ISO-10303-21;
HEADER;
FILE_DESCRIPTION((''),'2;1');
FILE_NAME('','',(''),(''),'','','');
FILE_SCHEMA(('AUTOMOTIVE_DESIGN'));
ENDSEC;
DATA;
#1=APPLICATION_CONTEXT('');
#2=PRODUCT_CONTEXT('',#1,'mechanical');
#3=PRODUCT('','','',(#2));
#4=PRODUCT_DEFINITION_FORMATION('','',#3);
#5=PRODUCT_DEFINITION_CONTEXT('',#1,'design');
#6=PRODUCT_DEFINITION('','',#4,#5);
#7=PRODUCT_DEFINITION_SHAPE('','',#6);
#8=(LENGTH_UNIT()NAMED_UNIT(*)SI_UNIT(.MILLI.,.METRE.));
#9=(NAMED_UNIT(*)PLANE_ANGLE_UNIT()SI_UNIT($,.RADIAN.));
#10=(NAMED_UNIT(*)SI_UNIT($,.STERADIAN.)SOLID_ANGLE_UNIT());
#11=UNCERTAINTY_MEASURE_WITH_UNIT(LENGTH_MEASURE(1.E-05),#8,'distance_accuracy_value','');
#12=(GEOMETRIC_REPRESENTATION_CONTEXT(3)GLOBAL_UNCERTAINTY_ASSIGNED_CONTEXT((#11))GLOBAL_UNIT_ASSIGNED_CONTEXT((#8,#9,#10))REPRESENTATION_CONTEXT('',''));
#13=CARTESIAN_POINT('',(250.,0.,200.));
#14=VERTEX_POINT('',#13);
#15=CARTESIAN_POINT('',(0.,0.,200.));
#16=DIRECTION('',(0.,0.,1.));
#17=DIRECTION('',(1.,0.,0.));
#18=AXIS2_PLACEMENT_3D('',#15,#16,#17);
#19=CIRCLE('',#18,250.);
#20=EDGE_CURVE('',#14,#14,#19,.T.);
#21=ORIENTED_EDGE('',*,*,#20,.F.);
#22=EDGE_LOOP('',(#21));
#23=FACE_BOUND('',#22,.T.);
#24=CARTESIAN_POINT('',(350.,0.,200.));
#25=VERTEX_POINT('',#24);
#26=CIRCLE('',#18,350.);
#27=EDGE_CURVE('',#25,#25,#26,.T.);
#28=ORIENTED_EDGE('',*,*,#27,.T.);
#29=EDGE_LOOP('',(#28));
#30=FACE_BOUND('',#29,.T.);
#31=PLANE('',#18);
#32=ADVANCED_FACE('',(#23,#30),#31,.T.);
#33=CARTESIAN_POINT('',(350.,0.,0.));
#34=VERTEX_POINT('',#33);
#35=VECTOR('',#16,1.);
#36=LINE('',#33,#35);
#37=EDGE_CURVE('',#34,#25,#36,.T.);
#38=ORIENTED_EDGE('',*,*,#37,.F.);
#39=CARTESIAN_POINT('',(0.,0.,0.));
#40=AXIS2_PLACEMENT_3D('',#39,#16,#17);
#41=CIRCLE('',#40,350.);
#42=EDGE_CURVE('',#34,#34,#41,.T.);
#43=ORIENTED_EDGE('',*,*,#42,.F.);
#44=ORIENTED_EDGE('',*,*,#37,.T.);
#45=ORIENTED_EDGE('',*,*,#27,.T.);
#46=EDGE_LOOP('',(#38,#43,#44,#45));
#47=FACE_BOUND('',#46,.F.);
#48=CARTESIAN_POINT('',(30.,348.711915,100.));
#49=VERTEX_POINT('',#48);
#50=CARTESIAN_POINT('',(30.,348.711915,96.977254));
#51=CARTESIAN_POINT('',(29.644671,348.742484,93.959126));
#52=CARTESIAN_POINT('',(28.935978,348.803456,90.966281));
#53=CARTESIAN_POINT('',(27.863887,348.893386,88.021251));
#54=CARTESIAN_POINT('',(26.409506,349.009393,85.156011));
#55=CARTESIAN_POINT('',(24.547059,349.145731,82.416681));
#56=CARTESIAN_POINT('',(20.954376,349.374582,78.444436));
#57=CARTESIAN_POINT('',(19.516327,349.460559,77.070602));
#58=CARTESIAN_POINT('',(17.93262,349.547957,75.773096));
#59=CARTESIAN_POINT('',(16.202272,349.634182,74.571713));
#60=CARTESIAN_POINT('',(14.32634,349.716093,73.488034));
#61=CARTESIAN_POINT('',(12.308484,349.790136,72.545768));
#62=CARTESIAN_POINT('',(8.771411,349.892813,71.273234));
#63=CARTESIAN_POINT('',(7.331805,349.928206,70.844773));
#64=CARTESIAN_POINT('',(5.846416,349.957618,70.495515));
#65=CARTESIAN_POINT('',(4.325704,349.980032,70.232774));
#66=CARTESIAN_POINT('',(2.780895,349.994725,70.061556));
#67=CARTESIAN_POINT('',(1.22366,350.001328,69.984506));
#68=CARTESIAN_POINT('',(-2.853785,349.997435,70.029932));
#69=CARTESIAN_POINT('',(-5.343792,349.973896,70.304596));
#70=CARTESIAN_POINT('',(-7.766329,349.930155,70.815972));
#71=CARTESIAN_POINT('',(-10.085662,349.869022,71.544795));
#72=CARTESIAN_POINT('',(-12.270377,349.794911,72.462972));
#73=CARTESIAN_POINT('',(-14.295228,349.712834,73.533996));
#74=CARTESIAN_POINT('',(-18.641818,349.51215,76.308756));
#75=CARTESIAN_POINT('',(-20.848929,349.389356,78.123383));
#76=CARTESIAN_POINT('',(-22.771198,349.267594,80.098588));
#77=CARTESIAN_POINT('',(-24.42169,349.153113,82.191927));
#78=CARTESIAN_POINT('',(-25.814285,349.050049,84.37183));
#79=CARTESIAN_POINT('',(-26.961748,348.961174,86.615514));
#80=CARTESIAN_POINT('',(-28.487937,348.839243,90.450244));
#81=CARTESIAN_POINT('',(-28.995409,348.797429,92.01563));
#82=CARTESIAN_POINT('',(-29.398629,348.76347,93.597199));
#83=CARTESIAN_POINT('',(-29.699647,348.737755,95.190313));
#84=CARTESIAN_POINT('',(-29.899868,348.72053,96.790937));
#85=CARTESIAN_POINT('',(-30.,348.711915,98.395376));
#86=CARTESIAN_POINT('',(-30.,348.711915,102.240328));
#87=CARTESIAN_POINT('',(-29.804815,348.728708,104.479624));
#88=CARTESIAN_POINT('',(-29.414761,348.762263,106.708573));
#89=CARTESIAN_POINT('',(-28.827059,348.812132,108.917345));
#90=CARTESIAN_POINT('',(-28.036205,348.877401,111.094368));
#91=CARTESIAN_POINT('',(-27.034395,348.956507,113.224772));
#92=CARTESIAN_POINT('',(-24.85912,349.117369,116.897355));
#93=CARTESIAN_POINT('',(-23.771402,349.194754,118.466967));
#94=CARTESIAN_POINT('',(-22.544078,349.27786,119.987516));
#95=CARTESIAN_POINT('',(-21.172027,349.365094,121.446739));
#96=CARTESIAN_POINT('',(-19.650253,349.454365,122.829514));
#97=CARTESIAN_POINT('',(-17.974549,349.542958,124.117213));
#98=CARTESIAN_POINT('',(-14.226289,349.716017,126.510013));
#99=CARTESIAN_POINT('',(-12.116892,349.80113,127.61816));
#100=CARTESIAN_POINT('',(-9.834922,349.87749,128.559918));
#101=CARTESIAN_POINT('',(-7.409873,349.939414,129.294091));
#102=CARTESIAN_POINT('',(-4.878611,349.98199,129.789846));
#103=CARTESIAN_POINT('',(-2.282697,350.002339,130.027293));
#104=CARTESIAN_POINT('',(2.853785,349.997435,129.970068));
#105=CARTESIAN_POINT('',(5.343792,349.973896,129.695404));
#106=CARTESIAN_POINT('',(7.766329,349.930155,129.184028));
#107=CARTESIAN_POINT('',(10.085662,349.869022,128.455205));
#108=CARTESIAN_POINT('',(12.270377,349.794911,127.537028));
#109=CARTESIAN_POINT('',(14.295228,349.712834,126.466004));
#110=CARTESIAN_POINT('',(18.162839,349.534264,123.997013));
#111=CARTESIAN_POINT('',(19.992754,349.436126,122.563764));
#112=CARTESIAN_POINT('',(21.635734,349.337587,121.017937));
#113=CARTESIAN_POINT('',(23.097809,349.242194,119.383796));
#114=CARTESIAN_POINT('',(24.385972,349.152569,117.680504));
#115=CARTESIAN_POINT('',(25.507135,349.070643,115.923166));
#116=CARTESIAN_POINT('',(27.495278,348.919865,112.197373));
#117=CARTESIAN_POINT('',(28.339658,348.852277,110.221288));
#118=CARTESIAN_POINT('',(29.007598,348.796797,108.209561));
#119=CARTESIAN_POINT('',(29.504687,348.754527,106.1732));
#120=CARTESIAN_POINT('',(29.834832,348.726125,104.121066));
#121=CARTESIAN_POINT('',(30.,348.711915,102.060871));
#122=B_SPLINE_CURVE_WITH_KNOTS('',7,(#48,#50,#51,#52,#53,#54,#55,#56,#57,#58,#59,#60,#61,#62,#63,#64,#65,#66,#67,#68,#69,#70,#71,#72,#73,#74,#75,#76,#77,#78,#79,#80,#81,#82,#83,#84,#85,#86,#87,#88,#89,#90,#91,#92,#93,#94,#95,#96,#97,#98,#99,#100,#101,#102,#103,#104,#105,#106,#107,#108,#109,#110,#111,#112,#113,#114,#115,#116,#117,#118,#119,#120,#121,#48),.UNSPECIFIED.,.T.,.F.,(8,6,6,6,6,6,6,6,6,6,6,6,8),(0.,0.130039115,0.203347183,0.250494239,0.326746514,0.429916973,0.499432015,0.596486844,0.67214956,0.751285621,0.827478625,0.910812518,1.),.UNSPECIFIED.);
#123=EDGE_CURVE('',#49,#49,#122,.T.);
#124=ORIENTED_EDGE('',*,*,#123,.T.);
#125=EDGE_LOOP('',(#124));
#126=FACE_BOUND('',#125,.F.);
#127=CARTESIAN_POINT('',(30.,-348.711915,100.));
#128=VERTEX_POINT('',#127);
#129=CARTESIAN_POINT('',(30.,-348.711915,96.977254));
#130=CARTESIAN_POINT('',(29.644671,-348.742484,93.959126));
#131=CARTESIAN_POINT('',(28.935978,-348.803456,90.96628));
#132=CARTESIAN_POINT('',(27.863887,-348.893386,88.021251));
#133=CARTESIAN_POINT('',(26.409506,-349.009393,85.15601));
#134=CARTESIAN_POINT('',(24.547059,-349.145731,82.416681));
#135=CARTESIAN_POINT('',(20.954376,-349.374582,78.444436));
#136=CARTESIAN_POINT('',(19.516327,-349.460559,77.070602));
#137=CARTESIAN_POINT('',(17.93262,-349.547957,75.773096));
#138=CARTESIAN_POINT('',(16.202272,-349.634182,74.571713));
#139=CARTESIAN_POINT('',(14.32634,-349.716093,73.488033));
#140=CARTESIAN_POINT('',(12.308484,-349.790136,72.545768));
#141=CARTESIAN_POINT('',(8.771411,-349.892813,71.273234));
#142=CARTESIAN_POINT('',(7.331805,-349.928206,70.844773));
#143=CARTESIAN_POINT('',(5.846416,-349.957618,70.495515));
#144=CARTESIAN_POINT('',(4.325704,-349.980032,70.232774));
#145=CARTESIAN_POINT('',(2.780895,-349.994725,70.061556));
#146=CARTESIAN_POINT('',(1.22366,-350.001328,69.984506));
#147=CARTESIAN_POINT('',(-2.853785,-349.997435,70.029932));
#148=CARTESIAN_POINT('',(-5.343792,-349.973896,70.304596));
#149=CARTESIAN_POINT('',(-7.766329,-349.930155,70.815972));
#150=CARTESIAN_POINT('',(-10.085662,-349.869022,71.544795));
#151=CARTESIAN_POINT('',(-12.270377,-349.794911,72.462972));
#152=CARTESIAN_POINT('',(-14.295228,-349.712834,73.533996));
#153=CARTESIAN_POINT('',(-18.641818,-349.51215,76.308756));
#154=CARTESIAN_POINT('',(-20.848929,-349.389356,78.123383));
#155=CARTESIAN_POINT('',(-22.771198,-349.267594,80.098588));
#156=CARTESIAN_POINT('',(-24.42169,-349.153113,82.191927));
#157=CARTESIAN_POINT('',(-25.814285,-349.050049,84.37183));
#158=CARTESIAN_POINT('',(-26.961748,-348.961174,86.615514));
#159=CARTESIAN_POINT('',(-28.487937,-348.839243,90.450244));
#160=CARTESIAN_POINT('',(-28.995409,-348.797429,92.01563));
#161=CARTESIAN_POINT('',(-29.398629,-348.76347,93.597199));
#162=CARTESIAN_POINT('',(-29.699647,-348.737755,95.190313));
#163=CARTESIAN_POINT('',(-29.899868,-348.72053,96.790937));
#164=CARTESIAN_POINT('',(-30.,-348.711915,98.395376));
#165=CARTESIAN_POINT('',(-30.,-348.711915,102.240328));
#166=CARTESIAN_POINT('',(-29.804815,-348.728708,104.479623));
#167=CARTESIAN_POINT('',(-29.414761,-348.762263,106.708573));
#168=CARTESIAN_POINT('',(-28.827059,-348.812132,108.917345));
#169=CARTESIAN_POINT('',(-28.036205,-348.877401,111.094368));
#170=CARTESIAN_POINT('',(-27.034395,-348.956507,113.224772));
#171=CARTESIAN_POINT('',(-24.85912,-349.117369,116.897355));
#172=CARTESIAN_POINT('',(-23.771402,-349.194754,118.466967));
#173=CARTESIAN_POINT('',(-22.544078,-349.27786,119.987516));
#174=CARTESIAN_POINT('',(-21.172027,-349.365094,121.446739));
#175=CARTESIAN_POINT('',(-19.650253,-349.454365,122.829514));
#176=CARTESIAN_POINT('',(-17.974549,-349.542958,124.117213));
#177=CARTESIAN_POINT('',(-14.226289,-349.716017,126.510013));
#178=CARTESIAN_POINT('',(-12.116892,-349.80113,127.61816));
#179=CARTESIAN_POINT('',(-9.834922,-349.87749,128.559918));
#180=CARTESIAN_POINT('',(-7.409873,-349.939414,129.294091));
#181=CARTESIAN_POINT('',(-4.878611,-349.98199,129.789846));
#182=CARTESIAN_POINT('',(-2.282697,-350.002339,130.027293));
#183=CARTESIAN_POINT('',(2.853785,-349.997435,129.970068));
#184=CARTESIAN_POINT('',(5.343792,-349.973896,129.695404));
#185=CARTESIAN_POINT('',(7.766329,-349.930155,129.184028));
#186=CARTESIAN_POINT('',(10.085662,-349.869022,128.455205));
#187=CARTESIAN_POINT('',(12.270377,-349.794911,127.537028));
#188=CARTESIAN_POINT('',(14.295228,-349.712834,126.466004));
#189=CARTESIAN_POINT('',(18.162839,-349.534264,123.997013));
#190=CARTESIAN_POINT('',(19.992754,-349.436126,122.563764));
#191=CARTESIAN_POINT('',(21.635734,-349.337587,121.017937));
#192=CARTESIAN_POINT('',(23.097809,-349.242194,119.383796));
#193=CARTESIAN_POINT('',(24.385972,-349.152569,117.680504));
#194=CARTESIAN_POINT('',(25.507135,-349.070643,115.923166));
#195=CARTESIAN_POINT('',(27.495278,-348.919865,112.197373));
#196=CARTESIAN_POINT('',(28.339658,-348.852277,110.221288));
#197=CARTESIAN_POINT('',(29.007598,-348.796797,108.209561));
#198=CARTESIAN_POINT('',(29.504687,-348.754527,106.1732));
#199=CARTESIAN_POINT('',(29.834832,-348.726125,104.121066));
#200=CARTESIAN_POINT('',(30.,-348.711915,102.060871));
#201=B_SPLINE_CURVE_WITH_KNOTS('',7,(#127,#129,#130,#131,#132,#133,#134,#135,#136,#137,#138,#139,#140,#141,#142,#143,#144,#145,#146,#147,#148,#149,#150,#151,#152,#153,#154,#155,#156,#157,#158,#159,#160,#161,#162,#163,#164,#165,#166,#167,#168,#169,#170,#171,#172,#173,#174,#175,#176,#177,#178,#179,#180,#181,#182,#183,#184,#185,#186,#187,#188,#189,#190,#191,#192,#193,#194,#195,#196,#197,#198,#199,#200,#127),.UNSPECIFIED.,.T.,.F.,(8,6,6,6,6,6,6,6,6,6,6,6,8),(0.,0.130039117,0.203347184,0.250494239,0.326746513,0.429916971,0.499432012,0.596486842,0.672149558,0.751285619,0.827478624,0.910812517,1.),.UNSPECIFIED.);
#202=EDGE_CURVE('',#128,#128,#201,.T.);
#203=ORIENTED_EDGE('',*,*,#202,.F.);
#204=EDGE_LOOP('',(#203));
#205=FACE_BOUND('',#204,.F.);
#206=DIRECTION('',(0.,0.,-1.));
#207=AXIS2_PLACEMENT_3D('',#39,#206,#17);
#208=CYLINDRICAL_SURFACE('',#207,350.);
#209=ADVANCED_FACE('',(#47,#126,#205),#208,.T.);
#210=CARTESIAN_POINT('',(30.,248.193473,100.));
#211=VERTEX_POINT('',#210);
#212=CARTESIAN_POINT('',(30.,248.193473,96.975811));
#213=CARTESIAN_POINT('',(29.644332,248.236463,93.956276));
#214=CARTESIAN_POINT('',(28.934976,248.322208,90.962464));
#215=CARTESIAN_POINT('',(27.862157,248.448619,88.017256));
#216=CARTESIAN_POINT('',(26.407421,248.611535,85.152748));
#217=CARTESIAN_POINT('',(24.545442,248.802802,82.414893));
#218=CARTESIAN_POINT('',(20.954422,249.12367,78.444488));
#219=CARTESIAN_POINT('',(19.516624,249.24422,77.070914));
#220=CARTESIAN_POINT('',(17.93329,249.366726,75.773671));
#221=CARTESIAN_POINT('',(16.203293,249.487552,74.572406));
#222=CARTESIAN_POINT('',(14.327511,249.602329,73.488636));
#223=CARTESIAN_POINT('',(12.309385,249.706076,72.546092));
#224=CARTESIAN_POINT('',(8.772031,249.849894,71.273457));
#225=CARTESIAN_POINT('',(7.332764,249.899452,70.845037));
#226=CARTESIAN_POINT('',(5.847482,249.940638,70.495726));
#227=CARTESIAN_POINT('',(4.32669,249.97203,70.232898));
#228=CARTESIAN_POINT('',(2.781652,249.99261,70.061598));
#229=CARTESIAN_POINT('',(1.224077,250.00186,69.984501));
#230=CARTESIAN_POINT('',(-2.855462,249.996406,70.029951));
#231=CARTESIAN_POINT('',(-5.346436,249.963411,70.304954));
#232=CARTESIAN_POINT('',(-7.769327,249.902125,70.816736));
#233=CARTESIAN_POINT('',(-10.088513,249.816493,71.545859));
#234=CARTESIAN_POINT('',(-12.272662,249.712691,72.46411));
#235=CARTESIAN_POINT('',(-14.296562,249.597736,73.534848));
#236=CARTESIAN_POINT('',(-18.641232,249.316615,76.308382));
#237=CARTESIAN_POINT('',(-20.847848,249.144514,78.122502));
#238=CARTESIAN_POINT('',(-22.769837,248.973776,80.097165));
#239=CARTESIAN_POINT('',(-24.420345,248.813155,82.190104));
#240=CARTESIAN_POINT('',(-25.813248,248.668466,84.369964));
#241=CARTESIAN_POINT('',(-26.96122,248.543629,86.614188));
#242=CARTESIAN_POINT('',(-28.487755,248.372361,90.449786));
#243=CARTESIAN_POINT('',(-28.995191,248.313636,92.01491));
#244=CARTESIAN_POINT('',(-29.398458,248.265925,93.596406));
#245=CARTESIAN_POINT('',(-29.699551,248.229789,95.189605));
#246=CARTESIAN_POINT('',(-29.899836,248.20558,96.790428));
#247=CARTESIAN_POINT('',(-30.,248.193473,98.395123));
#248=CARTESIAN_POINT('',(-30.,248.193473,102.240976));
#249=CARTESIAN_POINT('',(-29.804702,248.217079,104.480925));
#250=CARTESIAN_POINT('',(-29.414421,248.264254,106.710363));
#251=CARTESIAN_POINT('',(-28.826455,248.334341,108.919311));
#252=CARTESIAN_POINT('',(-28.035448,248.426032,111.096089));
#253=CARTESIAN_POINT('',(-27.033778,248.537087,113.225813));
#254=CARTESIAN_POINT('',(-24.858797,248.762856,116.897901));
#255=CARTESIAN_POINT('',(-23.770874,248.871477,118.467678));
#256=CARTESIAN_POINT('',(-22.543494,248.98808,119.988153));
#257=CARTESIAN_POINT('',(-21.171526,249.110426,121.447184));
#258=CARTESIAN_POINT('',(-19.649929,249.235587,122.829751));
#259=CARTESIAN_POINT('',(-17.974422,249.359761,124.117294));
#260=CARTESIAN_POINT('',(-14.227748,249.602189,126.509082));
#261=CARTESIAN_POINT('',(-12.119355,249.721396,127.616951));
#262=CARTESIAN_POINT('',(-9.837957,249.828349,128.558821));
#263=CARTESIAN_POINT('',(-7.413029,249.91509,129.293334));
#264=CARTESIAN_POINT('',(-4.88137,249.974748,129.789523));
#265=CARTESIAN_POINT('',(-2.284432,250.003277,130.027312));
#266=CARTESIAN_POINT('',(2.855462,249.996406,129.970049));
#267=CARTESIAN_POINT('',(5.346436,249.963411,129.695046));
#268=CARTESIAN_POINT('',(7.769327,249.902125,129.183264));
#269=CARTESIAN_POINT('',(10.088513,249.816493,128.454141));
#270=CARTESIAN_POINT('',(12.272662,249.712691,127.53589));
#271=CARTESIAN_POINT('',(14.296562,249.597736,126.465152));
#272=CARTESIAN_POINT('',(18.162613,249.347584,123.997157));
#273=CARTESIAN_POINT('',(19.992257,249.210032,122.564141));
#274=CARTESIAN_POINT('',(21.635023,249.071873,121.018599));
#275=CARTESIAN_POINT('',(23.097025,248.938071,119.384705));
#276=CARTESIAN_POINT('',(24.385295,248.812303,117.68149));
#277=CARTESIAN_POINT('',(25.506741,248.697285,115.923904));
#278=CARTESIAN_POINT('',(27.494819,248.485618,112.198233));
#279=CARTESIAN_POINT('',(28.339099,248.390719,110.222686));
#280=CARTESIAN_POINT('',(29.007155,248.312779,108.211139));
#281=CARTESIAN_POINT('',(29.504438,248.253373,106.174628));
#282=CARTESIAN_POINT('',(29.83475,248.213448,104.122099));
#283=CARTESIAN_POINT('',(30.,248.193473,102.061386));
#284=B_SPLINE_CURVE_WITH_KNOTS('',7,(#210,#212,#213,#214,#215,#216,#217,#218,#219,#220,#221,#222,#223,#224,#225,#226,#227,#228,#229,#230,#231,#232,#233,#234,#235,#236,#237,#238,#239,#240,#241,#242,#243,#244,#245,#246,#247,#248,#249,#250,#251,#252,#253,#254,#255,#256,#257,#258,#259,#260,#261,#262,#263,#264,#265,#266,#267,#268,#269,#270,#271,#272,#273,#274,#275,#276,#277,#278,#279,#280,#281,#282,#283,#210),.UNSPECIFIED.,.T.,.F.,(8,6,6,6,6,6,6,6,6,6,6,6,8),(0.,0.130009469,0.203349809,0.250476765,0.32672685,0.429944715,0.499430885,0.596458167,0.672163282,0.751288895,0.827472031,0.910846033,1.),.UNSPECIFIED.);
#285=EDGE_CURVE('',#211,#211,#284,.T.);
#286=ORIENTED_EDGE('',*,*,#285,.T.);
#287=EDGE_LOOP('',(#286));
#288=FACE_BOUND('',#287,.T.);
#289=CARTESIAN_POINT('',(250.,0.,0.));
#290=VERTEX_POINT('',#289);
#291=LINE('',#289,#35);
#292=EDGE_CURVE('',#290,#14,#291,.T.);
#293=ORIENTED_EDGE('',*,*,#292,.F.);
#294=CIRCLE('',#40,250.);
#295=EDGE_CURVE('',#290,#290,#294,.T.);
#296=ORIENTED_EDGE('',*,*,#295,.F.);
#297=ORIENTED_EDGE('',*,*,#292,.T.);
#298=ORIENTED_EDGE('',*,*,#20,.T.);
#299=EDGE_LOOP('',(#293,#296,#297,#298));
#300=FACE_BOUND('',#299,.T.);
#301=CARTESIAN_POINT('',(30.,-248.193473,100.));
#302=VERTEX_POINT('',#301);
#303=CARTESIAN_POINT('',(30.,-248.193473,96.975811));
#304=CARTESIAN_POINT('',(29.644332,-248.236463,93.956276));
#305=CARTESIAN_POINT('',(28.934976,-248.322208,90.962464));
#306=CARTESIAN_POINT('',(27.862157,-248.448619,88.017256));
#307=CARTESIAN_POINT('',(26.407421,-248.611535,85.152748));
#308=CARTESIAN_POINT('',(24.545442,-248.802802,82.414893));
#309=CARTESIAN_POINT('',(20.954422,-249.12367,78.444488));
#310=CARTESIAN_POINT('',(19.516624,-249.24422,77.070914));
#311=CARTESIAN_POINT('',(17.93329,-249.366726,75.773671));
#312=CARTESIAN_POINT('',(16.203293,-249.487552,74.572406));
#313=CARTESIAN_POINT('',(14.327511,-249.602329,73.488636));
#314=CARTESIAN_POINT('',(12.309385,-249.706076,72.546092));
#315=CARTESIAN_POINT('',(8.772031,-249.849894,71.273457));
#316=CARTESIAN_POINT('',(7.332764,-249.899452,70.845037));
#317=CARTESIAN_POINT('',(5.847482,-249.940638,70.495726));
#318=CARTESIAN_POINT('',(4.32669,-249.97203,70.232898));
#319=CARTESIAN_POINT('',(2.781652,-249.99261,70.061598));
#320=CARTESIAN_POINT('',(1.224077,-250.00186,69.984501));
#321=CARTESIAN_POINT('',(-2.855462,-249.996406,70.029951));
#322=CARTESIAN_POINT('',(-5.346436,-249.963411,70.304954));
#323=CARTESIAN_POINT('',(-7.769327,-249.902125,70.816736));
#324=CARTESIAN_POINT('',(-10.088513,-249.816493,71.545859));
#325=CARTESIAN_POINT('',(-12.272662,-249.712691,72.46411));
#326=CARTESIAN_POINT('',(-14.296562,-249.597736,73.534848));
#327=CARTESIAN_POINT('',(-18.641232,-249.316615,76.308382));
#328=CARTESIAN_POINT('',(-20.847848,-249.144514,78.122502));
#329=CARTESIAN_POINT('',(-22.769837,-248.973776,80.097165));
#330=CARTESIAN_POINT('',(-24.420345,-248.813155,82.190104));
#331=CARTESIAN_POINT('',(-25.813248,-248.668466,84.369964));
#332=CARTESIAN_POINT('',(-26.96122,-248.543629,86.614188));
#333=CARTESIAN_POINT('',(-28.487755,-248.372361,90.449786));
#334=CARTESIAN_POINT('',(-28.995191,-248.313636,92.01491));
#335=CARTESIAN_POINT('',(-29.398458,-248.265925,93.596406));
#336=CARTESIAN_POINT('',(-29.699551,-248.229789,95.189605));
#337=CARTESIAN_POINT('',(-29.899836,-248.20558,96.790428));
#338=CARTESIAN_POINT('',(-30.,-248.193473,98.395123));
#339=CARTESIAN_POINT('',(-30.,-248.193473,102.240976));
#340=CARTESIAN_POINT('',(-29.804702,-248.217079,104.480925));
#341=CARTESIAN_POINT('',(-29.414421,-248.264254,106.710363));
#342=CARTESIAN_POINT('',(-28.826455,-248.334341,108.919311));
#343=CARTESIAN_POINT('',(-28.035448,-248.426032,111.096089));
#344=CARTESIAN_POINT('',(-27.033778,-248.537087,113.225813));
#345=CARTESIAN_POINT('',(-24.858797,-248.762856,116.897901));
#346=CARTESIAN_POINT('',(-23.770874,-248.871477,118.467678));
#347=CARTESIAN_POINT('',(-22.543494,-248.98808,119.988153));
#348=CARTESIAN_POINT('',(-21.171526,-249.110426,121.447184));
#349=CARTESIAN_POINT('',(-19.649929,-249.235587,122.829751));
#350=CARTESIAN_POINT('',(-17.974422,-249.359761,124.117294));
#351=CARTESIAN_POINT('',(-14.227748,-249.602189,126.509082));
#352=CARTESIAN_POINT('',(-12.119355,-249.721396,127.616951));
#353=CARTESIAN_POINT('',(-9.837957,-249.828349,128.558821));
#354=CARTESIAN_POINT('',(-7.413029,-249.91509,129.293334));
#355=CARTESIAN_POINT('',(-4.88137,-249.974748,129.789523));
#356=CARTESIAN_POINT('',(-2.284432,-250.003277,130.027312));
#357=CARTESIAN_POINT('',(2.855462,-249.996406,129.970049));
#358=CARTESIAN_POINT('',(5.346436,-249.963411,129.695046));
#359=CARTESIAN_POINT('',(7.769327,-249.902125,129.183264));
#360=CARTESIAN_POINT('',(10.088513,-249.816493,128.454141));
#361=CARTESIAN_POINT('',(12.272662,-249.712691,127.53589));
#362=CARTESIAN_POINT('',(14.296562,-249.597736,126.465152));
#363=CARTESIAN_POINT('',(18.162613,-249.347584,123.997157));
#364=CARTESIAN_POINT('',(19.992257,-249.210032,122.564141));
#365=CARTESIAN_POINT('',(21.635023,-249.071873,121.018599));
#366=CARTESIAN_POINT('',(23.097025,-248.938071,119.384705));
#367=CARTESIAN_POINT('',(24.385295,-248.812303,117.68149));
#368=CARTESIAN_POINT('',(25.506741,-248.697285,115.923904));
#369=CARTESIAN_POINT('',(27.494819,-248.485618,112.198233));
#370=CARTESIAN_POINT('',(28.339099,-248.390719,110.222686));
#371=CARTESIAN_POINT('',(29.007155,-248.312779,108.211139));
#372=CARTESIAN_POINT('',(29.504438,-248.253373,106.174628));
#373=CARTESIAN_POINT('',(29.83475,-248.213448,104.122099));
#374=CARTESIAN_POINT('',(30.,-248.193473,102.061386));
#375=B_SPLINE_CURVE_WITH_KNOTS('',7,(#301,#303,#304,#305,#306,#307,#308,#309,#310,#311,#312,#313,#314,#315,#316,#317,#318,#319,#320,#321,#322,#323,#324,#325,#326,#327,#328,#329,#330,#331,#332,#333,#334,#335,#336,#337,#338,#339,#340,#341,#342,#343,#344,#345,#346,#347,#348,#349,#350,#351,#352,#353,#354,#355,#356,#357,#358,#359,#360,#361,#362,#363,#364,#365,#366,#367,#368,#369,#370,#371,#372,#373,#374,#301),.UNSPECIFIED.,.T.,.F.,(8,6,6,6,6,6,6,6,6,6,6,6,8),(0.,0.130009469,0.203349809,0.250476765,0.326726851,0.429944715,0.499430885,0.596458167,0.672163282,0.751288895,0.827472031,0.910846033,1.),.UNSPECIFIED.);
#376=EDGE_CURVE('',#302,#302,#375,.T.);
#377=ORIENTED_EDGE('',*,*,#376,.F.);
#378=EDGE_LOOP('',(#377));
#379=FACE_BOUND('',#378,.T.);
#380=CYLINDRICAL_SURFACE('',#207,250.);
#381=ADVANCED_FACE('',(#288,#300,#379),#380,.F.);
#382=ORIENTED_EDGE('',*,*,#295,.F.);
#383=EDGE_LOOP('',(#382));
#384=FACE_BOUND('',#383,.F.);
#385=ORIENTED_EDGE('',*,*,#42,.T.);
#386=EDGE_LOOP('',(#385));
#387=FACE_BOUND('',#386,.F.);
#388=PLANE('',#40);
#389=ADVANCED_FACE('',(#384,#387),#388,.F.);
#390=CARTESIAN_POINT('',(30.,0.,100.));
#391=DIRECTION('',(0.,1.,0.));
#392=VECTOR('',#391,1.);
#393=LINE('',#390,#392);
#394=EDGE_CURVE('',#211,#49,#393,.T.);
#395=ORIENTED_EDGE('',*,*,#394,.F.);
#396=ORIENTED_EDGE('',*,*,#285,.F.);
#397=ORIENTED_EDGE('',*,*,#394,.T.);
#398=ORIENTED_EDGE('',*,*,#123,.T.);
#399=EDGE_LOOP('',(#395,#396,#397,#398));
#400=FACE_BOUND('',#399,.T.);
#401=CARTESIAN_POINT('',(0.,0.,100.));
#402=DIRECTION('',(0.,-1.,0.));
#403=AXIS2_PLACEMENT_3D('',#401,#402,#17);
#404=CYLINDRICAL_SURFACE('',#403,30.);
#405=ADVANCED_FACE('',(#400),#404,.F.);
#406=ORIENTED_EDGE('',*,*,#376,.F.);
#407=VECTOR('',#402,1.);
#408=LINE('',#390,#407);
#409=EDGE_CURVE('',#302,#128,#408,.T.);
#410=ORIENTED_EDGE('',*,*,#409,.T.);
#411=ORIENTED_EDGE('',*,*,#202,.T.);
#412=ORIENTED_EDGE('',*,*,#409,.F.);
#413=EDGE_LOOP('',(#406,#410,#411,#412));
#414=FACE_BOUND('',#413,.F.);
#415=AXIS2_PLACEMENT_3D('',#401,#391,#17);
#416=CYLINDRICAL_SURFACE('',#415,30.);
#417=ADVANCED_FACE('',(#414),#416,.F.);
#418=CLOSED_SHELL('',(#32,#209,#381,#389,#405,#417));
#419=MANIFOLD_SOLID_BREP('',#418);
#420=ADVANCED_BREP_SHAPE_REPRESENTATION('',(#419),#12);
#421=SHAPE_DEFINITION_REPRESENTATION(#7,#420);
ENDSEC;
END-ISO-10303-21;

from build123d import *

# Parameters (mm, degrees)
SKETCH1_R               = 350
SKETCH1_R_2             = 250
BOSS_EXTRUDE1_DEPTH     = 200
SKETCH2_R               = 30
CUT_EXTRUDE1_DEPTH      = 351
CUT_EXTRUDE1_DEPTH_BACK = 351


with BuildPart() as part:
    # Sketch1 → Boss-Extrude1 (new body)
    with BuildSketch(Plane.XY):
        Circle(SKETCH1_R)
        Circle(SKETCH1_R_2, mode=Mode.SUBTRACT)
    extrude(amount=BOSS_EXTRUDE1_DEPTH)

    # Sketch2 → Cut-Extrude1 (cut, two sides)
    with BuildSketch(Plane(origin=(0, 0, 0), x_dir=(1, 0, 0), z_dir=(0, 1, 0))) as cut_extrude1_sk:
        with Locations((0, -100)):
            Circle(SKETCH2_R)
    extrude(amount=CUT_EXTRUDE1_DEPTH, mode=Mode.SUBTRACT)
    extrude(cut_extrude1_sk.sketch, amount=-CUT_EXTRUDE1_DEPTH_BACK, mode=Mode.SUBTRACT)


solid = part.part
